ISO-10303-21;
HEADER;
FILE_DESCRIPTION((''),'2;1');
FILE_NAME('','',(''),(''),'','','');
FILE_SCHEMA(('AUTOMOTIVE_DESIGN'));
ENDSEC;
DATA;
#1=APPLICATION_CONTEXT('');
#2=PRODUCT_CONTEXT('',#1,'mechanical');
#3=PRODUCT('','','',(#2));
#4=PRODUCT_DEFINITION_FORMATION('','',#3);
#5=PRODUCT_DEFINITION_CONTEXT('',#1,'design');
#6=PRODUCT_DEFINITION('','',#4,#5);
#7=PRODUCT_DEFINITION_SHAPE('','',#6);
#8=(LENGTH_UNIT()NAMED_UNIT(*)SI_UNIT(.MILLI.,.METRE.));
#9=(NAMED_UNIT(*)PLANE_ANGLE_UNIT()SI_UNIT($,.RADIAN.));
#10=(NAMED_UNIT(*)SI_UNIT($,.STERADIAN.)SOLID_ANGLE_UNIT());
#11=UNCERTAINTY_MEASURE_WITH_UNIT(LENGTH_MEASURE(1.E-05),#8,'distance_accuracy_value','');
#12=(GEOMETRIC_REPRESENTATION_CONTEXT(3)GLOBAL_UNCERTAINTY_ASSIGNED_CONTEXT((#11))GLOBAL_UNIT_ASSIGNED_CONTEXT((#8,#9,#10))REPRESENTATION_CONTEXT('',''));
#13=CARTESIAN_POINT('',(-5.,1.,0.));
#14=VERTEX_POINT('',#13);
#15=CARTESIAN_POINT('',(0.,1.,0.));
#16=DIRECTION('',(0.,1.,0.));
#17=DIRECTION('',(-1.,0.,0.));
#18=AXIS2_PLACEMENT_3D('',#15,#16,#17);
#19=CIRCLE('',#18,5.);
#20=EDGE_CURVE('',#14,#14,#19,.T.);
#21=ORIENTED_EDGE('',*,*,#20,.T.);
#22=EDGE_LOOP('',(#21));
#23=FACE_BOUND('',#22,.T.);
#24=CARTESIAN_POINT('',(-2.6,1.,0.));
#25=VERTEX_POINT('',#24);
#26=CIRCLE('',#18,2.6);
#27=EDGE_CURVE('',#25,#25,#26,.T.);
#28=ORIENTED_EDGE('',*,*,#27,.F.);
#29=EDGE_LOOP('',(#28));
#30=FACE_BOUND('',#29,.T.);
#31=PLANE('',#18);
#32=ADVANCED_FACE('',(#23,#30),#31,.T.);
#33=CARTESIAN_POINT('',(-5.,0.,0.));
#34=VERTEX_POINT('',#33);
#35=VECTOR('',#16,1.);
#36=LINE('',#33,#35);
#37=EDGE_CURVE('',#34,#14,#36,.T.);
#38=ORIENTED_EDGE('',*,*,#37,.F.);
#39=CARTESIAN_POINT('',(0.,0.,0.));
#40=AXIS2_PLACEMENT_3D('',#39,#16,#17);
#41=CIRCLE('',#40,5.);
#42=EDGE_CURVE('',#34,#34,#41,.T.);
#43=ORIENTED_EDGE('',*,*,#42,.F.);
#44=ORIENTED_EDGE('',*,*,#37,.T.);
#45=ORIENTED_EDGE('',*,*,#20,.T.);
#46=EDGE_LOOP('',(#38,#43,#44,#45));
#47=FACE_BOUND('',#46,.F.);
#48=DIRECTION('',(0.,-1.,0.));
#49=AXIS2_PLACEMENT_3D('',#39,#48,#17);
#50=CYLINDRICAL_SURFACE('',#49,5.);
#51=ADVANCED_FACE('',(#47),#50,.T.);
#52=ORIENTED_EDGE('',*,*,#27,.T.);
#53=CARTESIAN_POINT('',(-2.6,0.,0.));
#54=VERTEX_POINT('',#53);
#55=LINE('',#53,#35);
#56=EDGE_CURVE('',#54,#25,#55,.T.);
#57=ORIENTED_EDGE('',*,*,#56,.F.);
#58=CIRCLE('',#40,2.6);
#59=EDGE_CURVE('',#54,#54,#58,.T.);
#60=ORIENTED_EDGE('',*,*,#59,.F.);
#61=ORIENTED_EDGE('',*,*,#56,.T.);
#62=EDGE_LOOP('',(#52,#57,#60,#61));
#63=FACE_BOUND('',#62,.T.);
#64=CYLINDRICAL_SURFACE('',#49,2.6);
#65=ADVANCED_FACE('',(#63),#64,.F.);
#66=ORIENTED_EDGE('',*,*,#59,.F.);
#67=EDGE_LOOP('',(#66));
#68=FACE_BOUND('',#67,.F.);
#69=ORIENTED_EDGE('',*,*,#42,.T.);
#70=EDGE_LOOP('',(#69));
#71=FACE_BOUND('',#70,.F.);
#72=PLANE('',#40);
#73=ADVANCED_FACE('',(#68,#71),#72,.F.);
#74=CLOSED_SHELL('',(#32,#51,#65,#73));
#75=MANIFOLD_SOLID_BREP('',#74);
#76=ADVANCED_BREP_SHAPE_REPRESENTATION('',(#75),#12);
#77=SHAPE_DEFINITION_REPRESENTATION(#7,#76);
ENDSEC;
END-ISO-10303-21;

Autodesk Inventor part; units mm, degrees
ref_plane "YZ Plane" through (0, 0, 0) normal (1, 0, 0) x (0, 1, 0)
ref_plane "XZ Plane" through (0, 0, 0) normal (0, 1, 0) x (-1, 0, 0)
ref_plane "XY Plane" through (0, 0, 0) normal (0, 0, 1) x (1, 0, 0)
sketch "Эскиз1" plane through (0, 0, 0) normal (0, 1, 0) x (-1, 0, 0)
  circle A0 centre (0, 0) radius 5
  circle A1 centre (0, 0) radius 2.6
  dimension "d0" = 5.2
  dimension "d1" = 10
extrude "Выдавливание1" add sketch "Эскиз1" along normal blind 1
properties part number "проставки для шкивов"
